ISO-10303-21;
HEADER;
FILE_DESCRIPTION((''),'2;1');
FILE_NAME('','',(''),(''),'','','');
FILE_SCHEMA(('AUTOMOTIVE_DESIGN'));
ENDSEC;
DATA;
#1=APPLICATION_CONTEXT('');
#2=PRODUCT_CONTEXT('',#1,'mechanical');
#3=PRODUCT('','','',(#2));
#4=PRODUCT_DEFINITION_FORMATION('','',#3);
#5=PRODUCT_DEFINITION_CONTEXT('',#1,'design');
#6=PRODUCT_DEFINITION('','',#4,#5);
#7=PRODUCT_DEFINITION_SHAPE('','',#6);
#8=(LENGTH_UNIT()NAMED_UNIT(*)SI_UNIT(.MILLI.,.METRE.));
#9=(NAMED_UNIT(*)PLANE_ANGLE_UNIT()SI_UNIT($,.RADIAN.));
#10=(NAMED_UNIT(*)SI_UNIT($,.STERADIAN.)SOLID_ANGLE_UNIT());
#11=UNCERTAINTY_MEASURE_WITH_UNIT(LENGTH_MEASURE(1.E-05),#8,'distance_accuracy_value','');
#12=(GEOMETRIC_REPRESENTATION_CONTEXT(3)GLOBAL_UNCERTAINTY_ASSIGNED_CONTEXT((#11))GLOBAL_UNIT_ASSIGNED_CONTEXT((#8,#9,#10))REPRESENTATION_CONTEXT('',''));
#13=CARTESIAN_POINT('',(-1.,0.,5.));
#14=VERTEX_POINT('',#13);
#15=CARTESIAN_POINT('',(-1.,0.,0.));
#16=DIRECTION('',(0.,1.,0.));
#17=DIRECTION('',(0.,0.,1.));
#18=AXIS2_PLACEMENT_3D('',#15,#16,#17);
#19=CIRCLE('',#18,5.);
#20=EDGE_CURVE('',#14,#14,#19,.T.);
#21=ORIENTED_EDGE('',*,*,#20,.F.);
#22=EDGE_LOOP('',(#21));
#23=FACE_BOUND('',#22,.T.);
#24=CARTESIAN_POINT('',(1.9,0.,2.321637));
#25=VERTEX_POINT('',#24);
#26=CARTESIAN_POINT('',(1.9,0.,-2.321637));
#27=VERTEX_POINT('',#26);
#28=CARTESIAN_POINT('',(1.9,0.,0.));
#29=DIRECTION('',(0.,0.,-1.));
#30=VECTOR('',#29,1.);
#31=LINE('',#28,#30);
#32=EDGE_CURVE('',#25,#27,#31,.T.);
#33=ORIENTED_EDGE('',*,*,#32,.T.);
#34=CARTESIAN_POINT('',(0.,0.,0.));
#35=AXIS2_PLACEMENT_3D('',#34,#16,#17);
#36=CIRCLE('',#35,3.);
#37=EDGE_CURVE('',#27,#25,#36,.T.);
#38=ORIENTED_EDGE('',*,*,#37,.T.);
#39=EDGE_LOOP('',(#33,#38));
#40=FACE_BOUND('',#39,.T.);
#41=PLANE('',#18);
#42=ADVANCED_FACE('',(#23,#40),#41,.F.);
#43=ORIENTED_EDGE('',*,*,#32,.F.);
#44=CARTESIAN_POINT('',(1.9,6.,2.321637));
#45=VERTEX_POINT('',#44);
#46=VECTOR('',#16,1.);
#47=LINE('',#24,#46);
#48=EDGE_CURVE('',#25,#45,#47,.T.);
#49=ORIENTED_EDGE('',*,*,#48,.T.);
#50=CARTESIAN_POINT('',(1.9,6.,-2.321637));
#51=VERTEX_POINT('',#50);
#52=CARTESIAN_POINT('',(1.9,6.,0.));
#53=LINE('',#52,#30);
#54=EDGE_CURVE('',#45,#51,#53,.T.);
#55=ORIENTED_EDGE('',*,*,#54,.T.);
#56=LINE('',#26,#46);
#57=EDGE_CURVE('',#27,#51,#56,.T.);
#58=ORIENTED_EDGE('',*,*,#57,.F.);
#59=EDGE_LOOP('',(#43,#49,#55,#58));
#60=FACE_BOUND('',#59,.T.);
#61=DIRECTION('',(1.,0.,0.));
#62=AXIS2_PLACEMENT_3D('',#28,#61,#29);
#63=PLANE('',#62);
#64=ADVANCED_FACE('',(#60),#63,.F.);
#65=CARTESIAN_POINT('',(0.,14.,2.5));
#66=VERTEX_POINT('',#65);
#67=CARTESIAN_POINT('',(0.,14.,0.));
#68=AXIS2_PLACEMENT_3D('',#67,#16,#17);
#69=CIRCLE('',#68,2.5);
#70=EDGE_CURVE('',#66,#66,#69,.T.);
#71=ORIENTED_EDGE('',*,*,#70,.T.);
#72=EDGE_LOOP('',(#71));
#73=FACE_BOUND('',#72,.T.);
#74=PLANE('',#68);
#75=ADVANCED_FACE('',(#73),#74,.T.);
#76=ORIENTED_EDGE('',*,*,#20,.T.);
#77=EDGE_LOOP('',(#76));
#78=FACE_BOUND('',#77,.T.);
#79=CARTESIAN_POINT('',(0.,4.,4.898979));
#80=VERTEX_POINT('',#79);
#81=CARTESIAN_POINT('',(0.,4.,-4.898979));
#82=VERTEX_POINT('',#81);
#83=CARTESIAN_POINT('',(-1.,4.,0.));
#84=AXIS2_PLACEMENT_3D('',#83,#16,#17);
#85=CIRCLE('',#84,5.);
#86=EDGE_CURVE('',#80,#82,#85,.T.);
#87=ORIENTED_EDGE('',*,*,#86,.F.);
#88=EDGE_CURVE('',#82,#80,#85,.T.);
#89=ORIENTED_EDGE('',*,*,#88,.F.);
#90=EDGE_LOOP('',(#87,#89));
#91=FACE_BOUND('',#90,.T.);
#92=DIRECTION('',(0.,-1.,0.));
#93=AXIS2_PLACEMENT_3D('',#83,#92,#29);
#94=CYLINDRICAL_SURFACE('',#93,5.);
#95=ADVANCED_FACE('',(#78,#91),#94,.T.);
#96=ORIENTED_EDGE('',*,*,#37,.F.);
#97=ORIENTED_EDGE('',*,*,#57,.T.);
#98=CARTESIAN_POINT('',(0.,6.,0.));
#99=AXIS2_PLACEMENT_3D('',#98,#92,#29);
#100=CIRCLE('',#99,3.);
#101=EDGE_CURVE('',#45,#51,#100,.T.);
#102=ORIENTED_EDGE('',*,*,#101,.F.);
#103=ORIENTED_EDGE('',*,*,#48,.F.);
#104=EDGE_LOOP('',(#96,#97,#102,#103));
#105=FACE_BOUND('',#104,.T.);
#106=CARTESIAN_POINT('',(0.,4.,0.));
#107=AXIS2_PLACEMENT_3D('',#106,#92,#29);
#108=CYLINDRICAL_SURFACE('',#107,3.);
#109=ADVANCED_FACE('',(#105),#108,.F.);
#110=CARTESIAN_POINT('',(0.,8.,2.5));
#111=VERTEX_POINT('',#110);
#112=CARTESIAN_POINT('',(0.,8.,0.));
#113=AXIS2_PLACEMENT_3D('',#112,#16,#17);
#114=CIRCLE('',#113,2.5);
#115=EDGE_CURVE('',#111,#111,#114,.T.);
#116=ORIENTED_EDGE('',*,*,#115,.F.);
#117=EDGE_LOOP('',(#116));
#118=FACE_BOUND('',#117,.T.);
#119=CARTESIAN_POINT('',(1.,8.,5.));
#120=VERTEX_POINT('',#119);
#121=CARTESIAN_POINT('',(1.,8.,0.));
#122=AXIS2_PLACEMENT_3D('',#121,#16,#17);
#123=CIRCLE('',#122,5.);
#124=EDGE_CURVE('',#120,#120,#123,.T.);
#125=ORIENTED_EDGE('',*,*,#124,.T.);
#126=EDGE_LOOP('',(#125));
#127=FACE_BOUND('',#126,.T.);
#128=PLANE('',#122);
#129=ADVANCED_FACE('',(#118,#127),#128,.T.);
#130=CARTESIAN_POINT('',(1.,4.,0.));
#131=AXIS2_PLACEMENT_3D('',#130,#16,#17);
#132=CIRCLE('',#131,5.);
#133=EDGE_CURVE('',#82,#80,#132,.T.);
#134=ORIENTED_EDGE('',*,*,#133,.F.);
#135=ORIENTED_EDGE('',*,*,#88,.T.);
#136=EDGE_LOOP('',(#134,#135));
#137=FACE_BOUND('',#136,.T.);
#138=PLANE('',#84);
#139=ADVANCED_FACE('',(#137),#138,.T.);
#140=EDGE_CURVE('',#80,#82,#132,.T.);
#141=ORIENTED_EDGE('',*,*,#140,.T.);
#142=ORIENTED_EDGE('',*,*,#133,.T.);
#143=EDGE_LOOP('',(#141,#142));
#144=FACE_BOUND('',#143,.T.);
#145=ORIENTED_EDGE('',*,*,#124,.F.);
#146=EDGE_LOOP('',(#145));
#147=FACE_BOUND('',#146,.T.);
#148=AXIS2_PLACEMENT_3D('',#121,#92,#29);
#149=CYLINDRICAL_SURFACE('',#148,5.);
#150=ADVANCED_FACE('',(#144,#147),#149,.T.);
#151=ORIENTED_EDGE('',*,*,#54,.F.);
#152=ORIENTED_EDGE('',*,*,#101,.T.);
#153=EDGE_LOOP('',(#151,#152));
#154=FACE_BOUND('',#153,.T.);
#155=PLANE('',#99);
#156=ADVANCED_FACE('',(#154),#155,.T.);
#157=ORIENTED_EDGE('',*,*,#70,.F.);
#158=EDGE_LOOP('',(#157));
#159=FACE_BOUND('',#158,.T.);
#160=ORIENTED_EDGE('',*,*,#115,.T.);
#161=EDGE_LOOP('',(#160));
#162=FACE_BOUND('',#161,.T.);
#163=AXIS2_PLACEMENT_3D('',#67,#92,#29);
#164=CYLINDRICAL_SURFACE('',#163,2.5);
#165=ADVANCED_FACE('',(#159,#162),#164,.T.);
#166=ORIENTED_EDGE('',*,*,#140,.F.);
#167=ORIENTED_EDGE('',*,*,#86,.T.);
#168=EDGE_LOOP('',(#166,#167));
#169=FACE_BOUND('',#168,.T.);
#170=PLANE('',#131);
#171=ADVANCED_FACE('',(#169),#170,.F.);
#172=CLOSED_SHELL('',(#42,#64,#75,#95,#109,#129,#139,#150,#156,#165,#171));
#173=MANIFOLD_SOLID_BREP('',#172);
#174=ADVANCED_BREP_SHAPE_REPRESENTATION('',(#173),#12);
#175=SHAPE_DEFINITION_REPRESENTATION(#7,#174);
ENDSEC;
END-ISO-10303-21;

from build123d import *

# Parameters (mm, degrees)
SKETCH1_R           = 5
SKETCH1_R_2         = 3
BOSS_EXTRUDE1_DEPTH = 4
SKETCH2_R           = 5
BOSS_EXTRUDE2_DEPTH = 4
SKETCH3_R           = 2.5
BOSS_EXTRUDE3_DEPTH = 6
SKETCH4_R           = 3
CUT_EXTRUDE1_DEPTH  = 2
BOSS_EXTRUDE4_DEPTH = 6


with BuildPart() as part:
    # Sketch1 → Boss-Extrude1 (new body)
    with BuildSketch(Plane(origin=(0, 0, 0), x_dir=(1, 0, 0), z_dir=(0, 1, 0))):
        with Locations((-1, 0)):
            Circle(SKETCH1_R)
        Circle(SKETCH1_R_2, mode=Mode.SUBTRACT)
    extrude(amount=BOSS_EXTRUDE1_DEPTH)

    # Sketch2 → Boss-Extrude2 (add)
    with BuildSketch(Plane(origin=(0, 4, 0), x_dir=(1, 0, 0), z_dir=(0, 1, 0))):
        with Locations((1, 0)):
            Circle(SKETCH2_R)
    extrude(amount=BOSS_EXTRUDE2_DEPTH)

    # Sketch3 → Boss-Extrude3 (add)
    with BuildSketch(Plane(origin=(0, 8, 0), x_dir=(1, 0, 0), z_dir=(0, 1, 0))):
        Circle(SKETCH3_R)
    extrude(amount=BOSS_EXTRUDE3_DEPTH)

    # Sketch4 → Cut-Extrude1 (cut)
    with BuildSketch(Plane.XZ.offset(-4)):
        Circle(SKETCH4_R)
    extrude(amount=-CUT_EXTRUDE1_DEPTH, mode=Mode.SUBTRACT)

    # Sketch6 → Boss-Extrude4 (add, through all)
    with BuildSketch(Plane.XZ.offset(-6)):
        with BuildLine():
            ThreePointArc((3, 0), (2.711088342, 1.284523258), (1.9, 2.321637353))
            Line((1.9, 2.321637353), (1.9, -2.321637353))
            ThreePointArc((1.9, -2.321637353), (2.711088342, -1.284523258), (3, 0))
        make_face()
    extrude(amount=BOSS_EXTRUDE4_DEPTH)


solid = part.part
